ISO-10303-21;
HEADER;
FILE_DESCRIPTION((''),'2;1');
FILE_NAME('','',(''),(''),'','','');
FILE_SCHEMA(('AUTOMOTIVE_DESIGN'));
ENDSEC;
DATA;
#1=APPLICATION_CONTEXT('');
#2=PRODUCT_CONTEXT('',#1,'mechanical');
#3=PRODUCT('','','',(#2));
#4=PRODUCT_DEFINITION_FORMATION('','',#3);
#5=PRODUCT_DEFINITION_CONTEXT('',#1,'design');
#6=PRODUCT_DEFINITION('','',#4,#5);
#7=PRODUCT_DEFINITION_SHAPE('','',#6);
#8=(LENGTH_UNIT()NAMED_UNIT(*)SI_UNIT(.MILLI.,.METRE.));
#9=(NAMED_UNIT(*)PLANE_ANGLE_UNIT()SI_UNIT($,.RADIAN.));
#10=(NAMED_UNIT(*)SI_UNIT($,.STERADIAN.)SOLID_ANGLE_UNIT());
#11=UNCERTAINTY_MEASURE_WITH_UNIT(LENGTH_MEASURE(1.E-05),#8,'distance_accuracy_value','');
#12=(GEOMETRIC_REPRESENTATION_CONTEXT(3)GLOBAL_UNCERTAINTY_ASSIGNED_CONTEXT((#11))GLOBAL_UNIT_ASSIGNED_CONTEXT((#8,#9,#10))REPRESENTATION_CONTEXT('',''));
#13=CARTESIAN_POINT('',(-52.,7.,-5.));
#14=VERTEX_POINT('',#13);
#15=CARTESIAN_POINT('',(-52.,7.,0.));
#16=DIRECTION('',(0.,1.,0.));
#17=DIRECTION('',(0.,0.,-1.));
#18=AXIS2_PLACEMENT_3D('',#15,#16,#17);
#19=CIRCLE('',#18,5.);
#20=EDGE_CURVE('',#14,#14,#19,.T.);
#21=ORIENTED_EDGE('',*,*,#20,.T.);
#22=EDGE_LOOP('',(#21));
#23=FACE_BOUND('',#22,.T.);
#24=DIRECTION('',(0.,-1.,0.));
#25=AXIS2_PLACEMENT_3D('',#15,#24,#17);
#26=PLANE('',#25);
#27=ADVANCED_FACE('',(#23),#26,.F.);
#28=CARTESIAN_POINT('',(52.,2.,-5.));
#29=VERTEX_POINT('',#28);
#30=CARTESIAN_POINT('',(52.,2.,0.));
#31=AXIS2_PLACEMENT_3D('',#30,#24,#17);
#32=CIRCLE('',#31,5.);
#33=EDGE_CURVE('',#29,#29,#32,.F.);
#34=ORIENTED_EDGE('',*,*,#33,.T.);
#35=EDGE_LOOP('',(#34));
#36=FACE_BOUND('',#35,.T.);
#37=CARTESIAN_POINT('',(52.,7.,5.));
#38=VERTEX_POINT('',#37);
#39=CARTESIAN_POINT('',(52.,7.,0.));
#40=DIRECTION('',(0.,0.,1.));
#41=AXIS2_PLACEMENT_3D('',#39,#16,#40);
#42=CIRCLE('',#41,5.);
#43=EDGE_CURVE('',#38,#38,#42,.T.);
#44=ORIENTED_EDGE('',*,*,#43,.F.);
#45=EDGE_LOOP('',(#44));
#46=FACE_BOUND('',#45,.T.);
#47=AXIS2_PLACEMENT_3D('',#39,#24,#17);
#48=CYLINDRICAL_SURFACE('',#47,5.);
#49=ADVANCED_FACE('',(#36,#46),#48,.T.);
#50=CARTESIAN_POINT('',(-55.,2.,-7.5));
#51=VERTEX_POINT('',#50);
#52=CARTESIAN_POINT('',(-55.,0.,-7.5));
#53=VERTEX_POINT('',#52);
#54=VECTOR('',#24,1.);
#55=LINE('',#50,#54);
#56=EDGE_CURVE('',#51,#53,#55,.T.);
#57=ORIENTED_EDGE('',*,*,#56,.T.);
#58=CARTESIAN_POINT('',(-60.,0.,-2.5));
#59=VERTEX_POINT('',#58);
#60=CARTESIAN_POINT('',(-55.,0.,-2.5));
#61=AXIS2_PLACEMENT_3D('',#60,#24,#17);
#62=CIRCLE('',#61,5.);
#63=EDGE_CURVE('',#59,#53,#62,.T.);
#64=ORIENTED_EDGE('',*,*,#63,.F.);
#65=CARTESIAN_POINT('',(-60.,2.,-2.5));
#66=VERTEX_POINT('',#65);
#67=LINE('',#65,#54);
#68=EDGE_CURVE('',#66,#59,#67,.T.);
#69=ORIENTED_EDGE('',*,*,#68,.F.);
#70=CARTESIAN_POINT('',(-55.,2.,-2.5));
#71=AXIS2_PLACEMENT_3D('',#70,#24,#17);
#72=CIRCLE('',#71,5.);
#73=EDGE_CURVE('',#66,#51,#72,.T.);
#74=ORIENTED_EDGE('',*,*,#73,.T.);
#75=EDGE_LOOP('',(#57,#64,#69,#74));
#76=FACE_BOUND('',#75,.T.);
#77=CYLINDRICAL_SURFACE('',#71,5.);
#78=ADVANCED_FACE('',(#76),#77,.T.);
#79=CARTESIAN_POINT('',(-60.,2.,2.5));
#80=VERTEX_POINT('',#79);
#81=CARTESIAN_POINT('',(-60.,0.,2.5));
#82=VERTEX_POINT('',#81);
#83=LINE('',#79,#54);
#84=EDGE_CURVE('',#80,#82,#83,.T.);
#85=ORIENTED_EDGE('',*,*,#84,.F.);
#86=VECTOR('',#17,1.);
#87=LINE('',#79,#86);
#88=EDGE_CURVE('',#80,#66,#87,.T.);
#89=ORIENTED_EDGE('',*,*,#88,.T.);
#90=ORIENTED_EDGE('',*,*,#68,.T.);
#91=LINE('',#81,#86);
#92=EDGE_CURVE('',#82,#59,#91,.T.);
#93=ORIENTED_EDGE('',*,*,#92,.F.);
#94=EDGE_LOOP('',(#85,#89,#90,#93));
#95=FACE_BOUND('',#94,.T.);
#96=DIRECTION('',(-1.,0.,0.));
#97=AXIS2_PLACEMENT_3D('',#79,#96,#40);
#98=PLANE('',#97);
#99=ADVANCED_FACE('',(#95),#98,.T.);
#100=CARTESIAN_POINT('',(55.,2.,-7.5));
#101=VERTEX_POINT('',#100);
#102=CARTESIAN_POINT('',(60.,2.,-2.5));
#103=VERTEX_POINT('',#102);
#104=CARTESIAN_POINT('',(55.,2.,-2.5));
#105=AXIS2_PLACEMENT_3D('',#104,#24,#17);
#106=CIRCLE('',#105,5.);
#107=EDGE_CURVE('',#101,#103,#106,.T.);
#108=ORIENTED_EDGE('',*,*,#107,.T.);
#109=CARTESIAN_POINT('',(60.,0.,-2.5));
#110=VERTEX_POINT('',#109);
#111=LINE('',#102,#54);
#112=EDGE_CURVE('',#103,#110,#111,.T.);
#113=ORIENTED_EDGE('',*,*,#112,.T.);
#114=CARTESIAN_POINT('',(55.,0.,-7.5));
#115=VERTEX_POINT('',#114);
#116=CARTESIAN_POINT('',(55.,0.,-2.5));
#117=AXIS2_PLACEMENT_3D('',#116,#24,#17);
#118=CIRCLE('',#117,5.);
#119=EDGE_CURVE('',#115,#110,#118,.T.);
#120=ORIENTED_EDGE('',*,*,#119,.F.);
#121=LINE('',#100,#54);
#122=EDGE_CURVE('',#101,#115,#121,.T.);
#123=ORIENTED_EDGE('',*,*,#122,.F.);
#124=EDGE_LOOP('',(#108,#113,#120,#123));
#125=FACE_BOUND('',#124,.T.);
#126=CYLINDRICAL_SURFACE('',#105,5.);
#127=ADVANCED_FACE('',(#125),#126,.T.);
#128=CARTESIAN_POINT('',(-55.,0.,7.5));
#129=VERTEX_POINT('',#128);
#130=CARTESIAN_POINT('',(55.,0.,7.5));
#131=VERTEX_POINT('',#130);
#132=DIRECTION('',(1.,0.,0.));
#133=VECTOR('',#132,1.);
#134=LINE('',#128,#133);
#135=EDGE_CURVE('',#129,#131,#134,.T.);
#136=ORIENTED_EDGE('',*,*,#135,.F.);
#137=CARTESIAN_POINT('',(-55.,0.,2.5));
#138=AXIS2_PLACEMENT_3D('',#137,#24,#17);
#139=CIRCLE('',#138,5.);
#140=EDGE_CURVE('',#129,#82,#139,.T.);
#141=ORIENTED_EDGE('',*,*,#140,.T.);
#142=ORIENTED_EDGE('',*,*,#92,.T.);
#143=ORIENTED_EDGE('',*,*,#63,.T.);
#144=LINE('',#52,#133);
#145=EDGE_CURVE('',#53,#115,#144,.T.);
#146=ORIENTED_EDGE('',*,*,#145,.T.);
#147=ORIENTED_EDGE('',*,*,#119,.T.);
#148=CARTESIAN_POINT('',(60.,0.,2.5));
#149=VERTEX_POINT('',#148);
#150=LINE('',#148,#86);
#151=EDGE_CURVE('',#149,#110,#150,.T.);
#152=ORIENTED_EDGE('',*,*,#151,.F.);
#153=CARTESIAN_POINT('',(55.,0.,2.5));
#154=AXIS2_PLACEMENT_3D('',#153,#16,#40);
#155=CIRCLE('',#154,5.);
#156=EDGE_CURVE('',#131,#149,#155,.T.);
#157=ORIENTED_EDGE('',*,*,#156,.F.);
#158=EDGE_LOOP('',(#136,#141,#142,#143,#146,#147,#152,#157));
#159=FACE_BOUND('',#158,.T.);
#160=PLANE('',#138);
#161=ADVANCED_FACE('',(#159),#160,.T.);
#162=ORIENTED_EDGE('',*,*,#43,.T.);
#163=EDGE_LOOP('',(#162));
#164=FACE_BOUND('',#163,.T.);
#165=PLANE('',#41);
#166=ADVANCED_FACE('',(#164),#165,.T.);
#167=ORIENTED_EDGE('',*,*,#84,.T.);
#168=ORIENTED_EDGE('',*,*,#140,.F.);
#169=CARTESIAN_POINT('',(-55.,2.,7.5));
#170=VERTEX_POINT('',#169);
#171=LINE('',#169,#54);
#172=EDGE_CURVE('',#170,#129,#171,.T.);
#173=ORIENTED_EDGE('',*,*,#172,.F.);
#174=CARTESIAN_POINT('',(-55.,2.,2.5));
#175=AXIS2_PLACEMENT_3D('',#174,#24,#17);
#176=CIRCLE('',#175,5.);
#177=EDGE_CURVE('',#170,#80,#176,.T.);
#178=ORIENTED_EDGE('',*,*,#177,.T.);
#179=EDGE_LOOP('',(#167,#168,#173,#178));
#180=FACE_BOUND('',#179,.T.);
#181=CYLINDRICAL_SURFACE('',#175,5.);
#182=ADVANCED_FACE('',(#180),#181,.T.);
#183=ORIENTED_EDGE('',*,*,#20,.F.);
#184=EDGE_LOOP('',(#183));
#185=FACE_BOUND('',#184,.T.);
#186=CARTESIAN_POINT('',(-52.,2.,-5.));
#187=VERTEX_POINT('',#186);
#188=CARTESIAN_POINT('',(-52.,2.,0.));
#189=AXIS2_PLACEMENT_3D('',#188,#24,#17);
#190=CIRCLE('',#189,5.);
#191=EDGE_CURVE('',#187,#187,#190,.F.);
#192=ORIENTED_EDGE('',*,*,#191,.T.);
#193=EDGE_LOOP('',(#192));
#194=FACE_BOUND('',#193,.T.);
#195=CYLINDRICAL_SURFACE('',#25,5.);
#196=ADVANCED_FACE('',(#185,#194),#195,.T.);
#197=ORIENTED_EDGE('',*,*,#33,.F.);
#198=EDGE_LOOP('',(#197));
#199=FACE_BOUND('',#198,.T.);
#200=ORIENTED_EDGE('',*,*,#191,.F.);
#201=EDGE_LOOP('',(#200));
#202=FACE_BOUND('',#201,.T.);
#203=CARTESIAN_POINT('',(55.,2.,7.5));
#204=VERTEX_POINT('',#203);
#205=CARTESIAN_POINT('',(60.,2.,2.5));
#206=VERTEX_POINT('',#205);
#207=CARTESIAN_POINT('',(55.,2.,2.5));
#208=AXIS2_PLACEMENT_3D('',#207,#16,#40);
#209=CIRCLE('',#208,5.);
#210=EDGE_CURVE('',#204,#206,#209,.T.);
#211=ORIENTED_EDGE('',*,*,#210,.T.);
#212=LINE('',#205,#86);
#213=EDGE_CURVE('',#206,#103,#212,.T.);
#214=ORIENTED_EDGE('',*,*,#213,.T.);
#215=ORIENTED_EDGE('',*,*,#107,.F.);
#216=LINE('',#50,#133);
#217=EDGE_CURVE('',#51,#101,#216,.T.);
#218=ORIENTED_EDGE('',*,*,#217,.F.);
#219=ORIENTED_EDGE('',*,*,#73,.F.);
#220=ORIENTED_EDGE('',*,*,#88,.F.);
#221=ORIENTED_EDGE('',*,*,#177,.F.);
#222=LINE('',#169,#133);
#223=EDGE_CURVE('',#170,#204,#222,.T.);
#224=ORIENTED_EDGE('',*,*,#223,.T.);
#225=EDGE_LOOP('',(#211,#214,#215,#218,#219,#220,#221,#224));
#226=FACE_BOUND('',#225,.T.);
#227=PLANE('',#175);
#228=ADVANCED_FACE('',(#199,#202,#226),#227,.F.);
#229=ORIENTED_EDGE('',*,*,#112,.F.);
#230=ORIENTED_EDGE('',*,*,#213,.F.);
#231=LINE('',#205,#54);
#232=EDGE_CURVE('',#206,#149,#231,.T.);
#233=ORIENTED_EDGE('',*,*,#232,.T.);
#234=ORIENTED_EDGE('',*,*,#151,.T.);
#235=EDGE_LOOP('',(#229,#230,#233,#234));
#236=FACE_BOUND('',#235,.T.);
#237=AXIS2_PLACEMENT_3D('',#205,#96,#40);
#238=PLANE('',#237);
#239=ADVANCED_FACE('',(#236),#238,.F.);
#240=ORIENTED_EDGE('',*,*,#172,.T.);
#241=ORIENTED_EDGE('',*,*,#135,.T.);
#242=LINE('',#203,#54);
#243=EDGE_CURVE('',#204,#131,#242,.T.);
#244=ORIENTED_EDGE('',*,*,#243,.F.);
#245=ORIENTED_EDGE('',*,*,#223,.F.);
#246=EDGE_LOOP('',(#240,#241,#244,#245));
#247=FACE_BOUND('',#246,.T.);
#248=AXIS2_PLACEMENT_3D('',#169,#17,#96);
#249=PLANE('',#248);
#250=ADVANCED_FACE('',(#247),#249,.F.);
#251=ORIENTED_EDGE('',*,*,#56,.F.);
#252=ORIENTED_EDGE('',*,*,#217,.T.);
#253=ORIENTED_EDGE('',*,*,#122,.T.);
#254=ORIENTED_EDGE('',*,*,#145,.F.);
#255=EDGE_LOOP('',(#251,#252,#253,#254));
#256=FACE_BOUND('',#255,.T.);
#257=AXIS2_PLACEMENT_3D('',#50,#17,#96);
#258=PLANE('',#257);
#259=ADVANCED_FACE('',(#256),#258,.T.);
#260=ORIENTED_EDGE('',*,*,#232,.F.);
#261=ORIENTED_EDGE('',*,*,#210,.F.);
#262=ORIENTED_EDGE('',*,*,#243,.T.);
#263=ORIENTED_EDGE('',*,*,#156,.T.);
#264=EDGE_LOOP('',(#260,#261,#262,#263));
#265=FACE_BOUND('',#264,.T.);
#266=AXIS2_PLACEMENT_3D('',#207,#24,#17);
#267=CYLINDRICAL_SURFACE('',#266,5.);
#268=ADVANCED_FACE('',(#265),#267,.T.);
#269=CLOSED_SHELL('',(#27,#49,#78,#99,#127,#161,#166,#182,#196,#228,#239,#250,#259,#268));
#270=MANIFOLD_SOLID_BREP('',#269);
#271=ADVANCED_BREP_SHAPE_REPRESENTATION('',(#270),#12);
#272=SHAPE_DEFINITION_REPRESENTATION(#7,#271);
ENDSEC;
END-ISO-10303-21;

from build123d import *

# Parameters (mm, degrees)
BOSS_EXTRUDE2_DEPTH = 2
SKETCH3_R           = 5
BOSS_EXTRUDE3_DEPTH = 5


with BuildPart() as part:
    # Sketch1 → Boss-Extrude2 (new body)
    with BuildSketch(Plane(origin=(0, 0, 0), x_dir=(1, 0, 0), z_dir=(0, 1, 0))):
        with BuildLine():
            Line((-55, -7.5), (55, -7.5))
            ThreePointArc((55, -7.5), (58.535533906, -6.035533906), (60, -2.5))
            Line((60, -2.5), (60, 2.5))
            ThreePointArc((60, 2.5), (58.535533906, 6.035533906), (55, 7.5))
            Line((55, 7.5), (-55, 7.5))
            ThreePointArc((-55, 7.5), (-58.535533906, 6.035533906), (-60, 2.5))
            Line((-60, 2.5), (-60, -2.5))
            ThreePointArc((-60, -2.5), (-58.535533906, -6.035533906), (-55, -7.5))
        make_face()
    extrude(amount=BOSS_EXTRUDE2_DEPTH)

    # Sketch3 → Boss-Extrude3 (add)
    with BuildSketch(Plane(origin=(0, 2, 0), x_dir=(1, 0, 0), z_dir=(0, 1, 0))):
        with Locations((52, 0)):
            Circle(SKETCH3_R)
        with Locations((-52, 0)):
            Circle(SKETCH3_R)
    extrude(amount=BOSS_EXTRUDE3_DEPTH)


solid = part.part
